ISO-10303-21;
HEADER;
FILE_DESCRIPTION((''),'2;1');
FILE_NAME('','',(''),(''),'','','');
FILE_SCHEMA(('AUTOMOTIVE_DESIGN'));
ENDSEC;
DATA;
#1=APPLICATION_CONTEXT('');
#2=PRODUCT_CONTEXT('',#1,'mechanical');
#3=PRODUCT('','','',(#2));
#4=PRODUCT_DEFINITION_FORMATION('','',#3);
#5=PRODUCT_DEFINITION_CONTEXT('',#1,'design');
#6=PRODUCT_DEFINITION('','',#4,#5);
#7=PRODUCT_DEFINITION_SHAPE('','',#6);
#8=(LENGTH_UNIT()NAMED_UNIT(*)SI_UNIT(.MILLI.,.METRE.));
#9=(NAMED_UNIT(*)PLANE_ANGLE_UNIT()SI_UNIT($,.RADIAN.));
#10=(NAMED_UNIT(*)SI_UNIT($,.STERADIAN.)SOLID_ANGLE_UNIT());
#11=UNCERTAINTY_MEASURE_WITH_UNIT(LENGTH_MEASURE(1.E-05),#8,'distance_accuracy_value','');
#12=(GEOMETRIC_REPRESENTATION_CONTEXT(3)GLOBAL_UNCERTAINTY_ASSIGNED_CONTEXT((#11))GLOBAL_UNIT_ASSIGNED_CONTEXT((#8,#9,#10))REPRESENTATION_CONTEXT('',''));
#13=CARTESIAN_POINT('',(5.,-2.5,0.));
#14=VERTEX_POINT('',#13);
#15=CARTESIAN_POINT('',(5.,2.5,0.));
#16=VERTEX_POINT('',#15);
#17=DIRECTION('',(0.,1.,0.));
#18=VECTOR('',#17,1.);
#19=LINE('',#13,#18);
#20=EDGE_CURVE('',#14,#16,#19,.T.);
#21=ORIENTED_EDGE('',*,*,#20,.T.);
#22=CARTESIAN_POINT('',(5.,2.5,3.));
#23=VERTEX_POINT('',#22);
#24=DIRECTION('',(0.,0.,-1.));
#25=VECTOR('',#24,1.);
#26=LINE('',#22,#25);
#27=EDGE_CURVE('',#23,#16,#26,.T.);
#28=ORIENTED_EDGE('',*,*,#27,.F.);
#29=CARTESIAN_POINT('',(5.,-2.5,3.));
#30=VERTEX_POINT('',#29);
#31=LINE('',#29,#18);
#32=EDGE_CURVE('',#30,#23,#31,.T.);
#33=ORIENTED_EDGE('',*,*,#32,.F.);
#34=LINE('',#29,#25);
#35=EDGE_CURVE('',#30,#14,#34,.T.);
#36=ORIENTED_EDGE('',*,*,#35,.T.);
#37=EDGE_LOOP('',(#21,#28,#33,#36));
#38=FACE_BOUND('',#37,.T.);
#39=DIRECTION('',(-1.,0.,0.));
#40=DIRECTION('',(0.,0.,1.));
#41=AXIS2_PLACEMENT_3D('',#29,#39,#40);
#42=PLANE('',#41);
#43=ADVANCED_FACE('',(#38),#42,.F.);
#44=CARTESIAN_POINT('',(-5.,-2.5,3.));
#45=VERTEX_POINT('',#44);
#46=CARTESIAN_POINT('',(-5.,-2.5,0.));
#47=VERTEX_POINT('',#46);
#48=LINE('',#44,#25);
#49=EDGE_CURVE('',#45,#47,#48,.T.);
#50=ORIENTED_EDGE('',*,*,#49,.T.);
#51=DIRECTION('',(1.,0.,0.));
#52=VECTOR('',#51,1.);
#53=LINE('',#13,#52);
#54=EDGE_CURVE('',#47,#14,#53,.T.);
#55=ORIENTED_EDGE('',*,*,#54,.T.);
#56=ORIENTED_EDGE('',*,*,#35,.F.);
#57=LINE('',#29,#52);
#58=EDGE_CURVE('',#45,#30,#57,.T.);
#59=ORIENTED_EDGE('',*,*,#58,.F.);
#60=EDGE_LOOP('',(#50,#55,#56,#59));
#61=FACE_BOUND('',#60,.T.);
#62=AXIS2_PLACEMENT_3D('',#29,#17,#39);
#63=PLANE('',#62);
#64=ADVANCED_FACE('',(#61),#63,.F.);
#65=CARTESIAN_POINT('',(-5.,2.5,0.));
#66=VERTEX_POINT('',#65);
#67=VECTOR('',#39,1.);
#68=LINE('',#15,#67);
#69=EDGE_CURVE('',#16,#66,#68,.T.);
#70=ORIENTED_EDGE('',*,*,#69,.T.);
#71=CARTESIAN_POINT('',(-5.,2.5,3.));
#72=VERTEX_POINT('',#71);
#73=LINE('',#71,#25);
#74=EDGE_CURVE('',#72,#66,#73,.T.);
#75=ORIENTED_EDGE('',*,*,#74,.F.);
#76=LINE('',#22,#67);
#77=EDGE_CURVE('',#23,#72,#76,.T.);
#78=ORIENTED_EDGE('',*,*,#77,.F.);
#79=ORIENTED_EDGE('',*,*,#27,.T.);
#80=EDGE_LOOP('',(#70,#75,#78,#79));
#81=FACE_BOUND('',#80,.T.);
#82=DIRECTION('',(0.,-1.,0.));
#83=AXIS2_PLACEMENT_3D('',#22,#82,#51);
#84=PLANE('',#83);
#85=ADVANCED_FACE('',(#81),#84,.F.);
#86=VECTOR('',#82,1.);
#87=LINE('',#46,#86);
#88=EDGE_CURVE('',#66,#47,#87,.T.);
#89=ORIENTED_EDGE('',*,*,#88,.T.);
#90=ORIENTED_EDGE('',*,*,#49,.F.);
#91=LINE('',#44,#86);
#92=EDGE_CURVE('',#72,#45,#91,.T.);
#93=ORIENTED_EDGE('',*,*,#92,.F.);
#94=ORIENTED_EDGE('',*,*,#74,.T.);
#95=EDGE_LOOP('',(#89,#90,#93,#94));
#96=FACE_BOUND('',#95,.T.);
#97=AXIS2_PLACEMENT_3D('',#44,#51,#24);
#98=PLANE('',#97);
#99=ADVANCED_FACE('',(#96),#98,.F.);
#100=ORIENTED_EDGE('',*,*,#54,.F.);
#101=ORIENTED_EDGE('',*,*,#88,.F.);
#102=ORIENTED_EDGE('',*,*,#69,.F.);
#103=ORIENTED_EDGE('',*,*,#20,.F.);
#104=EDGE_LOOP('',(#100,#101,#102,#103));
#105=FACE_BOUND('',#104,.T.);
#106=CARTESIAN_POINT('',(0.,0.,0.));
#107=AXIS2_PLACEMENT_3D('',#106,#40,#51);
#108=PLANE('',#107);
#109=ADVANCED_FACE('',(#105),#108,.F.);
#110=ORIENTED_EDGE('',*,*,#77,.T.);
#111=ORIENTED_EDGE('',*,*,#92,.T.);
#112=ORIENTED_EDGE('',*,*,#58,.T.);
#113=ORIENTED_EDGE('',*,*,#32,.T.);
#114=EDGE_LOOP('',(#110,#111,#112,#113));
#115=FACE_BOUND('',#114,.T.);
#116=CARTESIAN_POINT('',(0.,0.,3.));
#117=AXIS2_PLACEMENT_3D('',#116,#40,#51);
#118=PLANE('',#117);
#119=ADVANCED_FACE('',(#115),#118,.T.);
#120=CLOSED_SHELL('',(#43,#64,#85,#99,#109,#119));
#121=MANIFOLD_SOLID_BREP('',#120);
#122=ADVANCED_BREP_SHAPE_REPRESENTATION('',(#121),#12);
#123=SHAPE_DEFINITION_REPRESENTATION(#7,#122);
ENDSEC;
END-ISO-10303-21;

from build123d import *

# Parameters (mm, degrees)
ESBO_O1_W                = 10
ESBO_O1_H                = 5
RESSALTO_EXTRUS_O1_DEPTH = 3


with BuildPart() as part:
    # Esboço1 → Ressalto-extrusão1 (new body)
    with BuildSketch(Plane.XY):
        Rectangle(ESBO_O1_W, ESBO_O1_H)
    extrude(amount=RESSALTO_EXTRUS_O1_DEPTH)


solid = part.part
